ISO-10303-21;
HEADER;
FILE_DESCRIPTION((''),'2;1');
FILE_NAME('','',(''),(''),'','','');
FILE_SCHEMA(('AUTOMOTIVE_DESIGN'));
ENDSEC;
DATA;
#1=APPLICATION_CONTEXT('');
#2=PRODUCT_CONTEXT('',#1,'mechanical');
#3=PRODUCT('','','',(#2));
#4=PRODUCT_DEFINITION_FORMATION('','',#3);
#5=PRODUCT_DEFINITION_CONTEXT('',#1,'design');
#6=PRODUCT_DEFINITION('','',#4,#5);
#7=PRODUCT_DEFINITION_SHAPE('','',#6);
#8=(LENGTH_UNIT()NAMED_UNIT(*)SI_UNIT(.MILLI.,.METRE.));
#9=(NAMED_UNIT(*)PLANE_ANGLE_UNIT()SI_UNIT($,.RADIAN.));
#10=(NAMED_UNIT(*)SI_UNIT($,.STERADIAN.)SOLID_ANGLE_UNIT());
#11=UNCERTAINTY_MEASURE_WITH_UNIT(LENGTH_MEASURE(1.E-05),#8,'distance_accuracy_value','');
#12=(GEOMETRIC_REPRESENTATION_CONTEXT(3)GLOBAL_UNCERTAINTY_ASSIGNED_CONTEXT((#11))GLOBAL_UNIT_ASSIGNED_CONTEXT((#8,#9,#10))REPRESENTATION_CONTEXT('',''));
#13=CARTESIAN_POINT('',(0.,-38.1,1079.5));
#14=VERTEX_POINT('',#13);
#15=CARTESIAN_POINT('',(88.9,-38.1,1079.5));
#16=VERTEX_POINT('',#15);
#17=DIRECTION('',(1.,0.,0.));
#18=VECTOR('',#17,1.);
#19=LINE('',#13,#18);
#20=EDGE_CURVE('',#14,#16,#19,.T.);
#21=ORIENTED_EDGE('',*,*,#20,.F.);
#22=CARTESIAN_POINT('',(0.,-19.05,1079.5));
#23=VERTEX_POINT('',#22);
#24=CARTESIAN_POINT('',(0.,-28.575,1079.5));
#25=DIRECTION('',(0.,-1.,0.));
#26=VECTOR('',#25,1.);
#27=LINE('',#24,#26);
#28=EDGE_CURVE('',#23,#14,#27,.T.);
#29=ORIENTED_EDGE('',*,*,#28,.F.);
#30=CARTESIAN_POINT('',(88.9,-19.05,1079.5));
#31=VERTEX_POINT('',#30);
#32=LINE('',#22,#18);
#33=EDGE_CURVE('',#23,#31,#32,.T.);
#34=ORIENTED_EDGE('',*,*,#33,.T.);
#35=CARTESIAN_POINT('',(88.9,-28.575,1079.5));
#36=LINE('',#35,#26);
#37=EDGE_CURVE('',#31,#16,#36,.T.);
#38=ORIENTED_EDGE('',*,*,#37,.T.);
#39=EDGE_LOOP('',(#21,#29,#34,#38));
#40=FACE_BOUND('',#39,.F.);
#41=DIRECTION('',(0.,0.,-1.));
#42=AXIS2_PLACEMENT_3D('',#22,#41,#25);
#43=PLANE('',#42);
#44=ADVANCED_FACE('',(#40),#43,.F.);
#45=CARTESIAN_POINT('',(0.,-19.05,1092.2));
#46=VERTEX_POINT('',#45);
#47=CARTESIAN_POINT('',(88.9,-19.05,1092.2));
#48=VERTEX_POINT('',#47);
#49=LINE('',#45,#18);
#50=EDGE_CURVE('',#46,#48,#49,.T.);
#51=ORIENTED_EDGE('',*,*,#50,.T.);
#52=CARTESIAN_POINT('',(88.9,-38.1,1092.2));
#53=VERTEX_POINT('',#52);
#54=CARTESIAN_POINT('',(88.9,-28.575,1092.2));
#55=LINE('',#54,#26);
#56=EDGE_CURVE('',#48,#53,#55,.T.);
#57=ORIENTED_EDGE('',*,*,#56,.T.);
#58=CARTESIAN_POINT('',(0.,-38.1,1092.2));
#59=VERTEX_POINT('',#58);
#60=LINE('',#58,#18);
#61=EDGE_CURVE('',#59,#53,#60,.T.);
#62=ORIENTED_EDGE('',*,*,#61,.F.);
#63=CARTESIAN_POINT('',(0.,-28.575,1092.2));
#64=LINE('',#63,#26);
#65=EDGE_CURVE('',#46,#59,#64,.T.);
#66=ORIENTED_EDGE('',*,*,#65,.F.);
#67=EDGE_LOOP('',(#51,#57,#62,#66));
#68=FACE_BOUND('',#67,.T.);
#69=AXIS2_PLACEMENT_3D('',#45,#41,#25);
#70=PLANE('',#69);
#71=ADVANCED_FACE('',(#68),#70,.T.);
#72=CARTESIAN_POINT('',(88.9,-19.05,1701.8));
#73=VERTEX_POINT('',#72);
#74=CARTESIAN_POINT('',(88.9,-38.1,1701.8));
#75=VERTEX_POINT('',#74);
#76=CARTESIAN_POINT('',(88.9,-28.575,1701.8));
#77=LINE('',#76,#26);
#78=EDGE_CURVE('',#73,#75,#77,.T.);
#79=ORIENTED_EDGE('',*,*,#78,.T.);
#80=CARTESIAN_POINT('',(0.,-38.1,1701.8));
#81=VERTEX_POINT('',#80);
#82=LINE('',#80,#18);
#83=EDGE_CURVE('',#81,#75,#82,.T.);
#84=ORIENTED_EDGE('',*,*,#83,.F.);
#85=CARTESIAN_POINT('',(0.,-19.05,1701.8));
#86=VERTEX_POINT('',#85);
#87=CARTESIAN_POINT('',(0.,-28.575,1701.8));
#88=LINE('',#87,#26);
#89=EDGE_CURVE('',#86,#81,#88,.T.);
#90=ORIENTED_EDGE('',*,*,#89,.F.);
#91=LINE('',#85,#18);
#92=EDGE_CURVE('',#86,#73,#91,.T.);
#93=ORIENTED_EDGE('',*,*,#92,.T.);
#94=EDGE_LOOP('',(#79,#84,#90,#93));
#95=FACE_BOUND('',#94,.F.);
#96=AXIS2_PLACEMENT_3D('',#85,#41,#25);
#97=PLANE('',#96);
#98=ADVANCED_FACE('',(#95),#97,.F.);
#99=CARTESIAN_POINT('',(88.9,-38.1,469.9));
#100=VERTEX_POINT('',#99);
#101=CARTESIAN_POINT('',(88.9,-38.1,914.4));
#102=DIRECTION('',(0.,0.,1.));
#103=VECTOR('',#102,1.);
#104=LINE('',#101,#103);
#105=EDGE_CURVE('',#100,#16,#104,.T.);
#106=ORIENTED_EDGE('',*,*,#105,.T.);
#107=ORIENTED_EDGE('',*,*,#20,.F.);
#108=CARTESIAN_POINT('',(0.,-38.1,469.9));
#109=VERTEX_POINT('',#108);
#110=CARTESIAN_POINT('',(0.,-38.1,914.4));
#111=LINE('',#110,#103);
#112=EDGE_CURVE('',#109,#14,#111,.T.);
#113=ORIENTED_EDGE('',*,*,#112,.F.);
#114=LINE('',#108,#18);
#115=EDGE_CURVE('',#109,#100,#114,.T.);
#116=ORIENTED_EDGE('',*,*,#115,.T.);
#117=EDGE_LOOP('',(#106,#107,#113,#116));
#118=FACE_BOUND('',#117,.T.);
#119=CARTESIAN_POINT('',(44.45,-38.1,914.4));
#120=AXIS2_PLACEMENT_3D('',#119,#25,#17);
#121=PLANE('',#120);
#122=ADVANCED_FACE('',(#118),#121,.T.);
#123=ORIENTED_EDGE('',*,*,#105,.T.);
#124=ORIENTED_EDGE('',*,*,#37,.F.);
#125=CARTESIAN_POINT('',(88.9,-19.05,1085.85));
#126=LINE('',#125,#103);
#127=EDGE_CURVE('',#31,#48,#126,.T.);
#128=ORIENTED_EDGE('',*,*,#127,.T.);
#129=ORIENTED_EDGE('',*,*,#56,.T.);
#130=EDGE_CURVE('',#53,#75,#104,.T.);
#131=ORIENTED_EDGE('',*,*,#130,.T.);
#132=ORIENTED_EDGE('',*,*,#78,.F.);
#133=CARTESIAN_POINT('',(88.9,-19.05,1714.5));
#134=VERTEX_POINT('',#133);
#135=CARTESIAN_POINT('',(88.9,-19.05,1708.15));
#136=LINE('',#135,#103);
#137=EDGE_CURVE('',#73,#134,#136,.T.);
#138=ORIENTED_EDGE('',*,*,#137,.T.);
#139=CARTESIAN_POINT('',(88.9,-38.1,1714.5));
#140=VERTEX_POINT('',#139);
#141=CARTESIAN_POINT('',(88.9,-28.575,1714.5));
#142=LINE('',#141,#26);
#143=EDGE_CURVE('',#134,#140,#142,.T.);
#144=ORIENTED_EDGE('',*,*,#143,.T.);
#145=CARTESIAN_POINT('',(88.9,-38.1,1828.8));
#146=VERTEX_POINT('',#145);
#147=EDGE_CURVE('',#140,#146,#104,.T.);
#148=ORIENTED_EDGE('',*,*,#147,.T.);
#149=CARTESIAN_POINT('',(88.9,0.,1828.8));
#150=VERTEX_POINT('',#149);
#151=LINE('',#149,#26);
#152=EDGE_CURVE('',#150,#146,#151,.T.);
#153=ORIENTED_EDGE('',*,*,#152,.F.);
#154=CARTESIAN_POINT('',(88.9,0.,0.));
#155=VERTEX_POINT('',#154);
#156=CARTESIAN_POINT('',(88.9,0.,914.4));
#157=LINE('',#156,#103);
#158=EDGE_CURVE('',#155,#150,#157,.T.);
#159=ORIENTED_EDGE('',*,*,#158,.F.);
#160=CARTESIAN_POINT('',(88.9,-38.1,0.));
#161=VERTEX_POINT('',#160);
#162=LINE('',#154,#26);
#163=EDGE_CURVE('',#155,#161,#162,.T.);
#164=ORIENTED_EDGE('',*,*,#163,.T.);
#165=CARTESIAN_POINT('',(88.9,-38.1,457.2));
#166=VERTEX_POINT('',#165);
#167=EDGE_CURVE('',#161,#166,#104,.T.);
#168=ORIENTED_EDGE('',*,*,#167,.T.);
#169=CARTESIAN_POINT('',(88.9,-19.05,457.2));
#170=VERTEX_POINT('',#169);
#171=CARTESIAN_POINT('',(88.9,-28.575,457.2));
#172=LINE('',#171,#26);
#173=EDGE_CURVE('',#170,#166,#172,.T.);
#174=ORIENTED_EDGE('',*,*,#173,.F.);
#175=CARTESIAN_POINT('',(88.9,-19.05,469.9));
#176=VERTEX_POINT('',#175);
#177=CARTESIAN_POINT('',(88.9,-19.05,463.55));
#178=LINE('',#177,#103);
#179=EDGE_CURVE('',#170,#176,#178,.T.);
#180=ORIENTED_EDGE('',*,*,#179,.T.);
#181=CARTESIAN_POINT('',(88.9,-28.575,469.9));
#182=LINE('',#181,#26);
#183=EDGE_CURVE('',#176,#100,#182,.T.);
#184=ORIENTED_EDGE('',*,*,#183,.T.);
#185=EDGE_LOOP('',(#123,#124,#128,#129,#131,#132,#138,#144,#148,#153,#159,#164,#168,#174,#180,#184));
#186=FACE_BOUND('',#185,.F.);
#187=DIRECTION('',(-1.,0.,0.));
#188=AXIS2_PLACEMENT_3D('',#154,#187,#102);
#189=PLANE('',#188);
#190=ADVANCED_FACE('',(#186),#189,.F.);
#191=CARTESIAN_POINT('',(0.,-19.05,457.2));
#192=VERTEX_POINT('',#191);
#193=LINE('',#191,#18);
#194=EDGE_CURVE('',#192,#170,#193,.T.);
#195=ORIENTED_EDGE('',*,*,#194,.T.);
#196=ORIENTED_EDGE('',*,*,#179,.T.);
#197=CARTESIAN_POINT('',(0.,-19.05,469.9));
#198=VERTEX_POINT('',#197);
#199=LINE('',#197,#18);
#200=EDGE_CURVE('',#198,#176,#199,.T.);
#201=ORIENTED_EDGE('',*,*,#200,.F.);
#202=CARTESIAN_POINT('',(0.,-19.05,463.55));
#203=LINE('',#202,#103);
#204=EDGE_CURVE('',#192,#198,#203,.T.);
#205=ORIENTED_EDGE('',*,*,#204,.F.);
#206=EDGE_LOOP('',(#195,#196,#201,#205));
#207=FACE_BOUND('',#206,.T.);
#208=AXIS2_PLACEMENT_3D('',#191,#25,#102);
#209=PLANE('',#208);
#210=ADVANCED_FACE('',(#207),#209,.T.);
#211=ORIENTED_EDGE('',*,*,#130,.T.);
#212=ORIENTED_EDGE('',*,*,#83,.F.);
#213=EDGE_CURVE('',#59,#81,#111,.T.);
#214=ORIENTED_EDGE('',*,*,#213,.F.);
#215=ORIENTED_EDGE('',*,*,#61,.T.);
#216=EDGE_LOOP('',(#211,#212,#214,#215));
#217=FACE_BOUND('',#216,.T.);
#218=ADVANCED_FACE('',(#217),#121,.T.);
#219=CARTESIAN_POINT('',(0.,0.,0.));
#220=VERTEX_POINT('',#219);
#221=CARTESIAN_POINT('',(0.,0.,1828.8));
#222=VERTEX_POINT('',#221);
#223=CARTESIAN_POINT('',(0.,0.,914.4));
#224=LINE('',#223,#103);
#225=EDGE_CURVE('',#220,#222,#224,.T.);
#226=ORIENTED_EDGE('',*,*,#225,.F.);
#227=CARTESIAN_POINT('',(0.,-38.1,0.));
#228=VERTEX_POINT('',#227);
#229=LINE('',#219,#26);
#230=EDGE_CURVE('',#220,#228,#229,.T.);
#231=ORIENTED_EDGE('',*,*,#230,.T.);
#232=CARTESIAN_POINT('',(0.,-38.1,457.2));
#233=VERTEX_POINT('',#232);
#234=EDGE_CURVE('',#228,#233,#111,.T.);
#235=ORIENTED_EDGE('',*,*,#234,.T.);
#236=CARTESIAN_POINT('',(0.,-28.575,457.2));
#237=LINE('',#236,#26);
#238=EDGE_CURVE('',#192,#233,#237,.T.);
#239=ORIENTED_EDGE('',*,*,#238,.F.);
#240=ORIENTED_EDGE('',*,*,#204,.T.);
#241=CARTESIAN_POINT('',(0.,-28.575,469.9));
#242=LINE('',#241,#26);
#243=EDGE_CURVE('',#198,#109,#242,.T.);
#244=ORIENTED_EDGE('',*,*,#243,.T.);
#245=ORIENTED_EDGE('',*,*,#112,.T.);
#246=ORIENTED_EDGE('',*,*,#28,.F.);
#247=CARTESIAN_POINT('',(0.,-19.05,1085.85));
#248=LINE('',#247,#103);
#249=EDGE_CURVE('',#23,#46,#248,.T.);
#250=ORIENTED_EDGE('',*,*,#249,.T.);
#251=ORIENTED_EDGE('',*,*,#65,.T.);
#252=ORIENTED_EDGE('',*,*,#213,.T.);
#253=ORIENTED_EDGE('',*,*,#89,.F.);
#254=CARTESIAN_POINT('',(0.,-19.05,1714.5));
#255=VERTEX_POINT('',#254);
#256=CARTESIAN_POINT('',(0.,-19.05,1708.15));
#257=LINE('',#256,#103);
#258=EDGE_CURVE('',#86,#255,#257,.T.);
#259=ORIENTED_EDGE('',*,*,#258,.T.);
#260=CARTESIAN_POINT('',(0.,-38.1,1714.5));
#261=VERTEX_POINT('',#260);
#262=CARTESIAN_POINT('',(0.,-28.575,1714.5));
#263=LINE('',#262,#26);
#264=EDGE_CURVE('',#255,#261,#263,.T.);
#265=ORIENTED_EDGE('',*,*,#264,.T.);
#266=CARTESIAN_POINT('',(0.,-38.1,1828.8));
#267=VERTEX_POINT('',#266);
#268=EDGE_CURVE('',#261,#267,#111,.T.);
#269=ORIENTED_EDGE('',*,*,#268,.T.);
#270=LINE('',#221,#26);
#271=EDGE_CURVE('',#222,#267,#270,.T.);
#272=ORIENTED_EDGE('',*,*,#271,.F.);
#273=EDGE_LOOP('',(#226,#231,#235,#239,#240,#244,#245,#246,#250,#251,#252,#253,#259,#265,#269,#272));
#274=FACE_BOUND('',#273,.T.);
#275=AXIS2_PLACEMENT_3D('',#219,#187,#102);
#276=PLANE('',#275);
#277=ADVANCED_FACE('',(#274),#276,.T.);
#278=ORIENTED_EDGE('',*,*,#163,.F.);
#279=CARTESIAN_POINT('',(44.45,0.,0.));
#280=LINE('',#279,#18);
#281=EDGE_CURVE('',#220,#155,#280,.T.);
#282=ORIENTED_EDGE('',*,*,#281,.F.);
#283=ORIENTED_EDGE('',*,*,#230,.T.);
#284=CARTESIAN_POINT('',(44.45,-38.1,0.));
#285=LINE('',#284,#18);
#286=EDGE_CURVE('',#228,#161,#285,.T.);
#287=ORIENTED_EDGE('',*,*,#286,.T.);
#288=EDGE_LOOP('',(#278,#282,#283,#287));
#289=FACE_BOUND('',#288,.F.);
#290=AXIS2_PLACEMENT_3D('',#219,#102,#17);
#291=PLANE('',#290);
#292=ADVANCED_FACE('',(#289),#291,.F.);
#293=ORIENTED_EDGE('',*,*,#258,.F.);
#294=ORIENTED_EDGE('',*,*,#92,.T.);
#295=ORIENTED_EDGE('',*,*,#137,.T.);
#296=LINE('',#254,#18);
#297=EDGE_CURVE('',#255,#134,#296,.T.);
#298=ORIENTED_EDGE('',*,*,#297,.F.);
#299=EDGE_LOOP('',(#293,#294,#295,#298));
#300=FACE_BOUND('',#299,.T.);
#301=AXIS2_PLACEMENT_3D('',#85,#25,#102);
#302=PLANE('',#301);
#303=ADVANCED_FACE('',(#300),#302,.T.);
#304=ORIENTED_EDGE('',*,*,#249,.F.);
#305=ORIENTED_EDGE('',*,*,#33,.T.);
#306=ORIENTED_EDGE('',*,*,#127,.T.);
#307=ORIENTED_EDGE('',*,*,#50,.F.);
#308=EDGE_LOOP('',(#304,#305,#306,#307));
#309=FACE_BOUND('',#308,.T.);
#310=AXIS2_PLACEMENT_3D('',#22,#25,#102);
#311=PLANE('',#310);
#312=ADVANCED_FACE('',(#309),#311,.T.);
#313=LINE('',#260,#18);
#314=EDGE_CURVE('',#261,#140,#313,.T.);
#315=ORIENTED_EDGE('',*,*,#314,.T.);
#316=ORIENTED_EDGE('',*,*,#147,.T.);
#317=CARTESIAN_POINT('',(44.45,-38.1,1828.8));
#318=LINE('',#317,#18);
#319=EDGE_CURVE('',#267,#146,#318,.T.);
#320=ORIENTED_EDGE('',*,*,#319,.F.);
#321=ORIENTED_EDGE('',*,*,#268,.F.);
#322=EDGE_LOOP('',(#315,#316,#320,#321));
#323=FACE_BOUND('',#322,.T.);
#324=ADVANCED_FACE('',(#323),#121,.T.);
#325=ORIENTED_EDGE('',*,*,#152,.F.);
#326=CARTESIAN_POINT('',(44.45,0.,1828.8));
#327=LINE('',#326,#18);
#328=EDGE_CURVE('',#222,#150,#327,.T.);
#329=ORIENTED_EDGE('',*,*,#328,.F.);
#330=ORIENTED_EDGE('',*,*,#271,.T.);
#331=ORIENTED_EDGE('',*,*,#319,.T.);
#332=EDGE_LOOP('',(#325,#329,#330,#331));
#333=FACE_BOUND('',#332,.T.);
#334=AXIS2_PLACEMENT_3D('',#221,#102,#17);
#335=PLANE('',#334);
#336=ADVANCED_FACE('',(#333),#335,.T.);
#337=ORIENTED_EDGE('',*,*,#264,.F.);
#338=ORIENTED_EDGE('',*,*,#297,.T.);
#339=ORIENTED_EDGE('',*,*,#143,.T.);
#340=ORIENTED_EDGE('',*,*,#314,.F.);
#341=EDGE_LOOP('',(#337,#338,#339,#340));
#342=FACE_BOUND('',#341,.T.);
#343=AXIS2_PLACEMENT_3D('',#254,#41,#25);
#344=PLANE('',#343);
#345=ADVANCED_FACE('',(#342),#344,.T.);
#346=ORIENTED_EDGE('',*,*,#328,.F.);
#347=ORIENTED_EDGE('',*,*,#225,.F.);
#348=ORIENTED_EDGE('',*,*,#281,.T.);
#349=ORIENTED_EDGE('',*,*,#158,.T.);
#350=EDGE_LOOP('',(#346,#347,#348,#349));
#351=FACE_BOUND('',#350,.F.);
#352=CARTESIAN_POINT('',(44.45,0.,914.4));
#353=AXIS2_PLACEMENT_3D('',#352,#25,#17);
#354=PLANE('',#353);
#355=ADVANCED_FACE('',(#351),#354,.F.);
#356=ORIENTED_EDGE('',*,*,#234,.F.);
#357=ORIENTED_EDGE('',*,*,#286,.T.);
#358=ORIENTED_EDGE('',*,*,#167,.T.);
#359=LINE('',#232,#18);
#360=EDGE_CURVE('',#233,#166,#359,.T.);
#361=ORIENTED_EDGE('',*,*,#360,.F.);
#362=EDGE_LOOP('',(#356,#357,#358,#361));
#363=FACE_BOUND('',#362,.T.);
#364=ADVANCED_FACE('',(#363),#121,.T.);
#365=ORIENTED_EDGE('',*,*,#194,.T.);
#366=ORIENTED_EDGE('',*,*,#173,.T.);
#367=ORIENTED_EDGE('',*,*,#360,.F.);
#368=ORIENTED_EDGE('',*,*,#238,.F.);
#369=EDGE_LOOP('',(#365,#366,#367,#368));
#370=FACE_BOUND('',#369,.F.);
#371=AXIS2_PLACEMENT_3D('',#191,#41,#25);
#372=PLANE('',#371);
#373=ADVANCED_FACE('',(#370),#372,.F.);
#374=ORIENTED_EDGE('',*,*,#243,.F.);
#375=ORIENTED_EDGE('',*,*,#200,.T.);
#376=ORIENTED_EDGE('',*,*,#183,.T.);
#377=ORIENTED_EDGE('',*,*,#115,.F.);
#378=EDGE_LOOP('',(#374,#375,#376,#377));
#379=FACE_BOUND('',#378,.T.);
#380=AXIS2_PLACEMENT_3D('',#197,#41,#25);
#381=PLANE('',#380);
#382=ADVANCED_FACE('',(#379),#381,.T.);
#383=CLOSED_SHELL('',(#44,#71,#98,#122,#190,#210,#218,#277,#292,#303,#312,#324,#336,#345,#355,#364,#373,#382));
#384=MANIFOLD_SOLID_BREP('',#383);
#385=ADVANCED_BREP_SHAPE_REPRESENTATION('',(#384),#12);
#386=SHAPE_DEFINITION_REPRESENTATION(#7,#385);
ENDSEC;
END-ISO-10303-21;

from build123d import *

# Parameters (mm, degrees)
F0_W     = 88.9
F0_H     = 1828.8
F1_DEPTH = 38.1
F2_W     = 19.05
F2_H     = 12.7
F3_DEPTH = 88.9


with BuildPart() as f1:
    # F0 (on Front) → F1 (new body)
    with BuildSketch(Plane.XZ):
        with Locations((44.45, 914.4)):
            Rectangle(F0_W, F0_H)
    extrude(amount=F1_DEPTH)

    # F2 (on face) → F3 (cut, through all)
    with BuildSketch(Plane(origin=(0, 0, 0), x_dir=(0, -1, 0), z_dir=(-1, 0, 0))):
        with Locations((28.575, 1708.15)):
            Rectangle(F2_W, F2_H)
        with Locations((28.575, 1085.85)):
            Rectangle(F2_W, F2_H)
        with Locations((28.575, 463.55)):
            Rectangle(F2_W, F2_H)
    extrude(amount=-F3_DEPTH, mode=Mode.SUBTRACT)


solid = f1.part
